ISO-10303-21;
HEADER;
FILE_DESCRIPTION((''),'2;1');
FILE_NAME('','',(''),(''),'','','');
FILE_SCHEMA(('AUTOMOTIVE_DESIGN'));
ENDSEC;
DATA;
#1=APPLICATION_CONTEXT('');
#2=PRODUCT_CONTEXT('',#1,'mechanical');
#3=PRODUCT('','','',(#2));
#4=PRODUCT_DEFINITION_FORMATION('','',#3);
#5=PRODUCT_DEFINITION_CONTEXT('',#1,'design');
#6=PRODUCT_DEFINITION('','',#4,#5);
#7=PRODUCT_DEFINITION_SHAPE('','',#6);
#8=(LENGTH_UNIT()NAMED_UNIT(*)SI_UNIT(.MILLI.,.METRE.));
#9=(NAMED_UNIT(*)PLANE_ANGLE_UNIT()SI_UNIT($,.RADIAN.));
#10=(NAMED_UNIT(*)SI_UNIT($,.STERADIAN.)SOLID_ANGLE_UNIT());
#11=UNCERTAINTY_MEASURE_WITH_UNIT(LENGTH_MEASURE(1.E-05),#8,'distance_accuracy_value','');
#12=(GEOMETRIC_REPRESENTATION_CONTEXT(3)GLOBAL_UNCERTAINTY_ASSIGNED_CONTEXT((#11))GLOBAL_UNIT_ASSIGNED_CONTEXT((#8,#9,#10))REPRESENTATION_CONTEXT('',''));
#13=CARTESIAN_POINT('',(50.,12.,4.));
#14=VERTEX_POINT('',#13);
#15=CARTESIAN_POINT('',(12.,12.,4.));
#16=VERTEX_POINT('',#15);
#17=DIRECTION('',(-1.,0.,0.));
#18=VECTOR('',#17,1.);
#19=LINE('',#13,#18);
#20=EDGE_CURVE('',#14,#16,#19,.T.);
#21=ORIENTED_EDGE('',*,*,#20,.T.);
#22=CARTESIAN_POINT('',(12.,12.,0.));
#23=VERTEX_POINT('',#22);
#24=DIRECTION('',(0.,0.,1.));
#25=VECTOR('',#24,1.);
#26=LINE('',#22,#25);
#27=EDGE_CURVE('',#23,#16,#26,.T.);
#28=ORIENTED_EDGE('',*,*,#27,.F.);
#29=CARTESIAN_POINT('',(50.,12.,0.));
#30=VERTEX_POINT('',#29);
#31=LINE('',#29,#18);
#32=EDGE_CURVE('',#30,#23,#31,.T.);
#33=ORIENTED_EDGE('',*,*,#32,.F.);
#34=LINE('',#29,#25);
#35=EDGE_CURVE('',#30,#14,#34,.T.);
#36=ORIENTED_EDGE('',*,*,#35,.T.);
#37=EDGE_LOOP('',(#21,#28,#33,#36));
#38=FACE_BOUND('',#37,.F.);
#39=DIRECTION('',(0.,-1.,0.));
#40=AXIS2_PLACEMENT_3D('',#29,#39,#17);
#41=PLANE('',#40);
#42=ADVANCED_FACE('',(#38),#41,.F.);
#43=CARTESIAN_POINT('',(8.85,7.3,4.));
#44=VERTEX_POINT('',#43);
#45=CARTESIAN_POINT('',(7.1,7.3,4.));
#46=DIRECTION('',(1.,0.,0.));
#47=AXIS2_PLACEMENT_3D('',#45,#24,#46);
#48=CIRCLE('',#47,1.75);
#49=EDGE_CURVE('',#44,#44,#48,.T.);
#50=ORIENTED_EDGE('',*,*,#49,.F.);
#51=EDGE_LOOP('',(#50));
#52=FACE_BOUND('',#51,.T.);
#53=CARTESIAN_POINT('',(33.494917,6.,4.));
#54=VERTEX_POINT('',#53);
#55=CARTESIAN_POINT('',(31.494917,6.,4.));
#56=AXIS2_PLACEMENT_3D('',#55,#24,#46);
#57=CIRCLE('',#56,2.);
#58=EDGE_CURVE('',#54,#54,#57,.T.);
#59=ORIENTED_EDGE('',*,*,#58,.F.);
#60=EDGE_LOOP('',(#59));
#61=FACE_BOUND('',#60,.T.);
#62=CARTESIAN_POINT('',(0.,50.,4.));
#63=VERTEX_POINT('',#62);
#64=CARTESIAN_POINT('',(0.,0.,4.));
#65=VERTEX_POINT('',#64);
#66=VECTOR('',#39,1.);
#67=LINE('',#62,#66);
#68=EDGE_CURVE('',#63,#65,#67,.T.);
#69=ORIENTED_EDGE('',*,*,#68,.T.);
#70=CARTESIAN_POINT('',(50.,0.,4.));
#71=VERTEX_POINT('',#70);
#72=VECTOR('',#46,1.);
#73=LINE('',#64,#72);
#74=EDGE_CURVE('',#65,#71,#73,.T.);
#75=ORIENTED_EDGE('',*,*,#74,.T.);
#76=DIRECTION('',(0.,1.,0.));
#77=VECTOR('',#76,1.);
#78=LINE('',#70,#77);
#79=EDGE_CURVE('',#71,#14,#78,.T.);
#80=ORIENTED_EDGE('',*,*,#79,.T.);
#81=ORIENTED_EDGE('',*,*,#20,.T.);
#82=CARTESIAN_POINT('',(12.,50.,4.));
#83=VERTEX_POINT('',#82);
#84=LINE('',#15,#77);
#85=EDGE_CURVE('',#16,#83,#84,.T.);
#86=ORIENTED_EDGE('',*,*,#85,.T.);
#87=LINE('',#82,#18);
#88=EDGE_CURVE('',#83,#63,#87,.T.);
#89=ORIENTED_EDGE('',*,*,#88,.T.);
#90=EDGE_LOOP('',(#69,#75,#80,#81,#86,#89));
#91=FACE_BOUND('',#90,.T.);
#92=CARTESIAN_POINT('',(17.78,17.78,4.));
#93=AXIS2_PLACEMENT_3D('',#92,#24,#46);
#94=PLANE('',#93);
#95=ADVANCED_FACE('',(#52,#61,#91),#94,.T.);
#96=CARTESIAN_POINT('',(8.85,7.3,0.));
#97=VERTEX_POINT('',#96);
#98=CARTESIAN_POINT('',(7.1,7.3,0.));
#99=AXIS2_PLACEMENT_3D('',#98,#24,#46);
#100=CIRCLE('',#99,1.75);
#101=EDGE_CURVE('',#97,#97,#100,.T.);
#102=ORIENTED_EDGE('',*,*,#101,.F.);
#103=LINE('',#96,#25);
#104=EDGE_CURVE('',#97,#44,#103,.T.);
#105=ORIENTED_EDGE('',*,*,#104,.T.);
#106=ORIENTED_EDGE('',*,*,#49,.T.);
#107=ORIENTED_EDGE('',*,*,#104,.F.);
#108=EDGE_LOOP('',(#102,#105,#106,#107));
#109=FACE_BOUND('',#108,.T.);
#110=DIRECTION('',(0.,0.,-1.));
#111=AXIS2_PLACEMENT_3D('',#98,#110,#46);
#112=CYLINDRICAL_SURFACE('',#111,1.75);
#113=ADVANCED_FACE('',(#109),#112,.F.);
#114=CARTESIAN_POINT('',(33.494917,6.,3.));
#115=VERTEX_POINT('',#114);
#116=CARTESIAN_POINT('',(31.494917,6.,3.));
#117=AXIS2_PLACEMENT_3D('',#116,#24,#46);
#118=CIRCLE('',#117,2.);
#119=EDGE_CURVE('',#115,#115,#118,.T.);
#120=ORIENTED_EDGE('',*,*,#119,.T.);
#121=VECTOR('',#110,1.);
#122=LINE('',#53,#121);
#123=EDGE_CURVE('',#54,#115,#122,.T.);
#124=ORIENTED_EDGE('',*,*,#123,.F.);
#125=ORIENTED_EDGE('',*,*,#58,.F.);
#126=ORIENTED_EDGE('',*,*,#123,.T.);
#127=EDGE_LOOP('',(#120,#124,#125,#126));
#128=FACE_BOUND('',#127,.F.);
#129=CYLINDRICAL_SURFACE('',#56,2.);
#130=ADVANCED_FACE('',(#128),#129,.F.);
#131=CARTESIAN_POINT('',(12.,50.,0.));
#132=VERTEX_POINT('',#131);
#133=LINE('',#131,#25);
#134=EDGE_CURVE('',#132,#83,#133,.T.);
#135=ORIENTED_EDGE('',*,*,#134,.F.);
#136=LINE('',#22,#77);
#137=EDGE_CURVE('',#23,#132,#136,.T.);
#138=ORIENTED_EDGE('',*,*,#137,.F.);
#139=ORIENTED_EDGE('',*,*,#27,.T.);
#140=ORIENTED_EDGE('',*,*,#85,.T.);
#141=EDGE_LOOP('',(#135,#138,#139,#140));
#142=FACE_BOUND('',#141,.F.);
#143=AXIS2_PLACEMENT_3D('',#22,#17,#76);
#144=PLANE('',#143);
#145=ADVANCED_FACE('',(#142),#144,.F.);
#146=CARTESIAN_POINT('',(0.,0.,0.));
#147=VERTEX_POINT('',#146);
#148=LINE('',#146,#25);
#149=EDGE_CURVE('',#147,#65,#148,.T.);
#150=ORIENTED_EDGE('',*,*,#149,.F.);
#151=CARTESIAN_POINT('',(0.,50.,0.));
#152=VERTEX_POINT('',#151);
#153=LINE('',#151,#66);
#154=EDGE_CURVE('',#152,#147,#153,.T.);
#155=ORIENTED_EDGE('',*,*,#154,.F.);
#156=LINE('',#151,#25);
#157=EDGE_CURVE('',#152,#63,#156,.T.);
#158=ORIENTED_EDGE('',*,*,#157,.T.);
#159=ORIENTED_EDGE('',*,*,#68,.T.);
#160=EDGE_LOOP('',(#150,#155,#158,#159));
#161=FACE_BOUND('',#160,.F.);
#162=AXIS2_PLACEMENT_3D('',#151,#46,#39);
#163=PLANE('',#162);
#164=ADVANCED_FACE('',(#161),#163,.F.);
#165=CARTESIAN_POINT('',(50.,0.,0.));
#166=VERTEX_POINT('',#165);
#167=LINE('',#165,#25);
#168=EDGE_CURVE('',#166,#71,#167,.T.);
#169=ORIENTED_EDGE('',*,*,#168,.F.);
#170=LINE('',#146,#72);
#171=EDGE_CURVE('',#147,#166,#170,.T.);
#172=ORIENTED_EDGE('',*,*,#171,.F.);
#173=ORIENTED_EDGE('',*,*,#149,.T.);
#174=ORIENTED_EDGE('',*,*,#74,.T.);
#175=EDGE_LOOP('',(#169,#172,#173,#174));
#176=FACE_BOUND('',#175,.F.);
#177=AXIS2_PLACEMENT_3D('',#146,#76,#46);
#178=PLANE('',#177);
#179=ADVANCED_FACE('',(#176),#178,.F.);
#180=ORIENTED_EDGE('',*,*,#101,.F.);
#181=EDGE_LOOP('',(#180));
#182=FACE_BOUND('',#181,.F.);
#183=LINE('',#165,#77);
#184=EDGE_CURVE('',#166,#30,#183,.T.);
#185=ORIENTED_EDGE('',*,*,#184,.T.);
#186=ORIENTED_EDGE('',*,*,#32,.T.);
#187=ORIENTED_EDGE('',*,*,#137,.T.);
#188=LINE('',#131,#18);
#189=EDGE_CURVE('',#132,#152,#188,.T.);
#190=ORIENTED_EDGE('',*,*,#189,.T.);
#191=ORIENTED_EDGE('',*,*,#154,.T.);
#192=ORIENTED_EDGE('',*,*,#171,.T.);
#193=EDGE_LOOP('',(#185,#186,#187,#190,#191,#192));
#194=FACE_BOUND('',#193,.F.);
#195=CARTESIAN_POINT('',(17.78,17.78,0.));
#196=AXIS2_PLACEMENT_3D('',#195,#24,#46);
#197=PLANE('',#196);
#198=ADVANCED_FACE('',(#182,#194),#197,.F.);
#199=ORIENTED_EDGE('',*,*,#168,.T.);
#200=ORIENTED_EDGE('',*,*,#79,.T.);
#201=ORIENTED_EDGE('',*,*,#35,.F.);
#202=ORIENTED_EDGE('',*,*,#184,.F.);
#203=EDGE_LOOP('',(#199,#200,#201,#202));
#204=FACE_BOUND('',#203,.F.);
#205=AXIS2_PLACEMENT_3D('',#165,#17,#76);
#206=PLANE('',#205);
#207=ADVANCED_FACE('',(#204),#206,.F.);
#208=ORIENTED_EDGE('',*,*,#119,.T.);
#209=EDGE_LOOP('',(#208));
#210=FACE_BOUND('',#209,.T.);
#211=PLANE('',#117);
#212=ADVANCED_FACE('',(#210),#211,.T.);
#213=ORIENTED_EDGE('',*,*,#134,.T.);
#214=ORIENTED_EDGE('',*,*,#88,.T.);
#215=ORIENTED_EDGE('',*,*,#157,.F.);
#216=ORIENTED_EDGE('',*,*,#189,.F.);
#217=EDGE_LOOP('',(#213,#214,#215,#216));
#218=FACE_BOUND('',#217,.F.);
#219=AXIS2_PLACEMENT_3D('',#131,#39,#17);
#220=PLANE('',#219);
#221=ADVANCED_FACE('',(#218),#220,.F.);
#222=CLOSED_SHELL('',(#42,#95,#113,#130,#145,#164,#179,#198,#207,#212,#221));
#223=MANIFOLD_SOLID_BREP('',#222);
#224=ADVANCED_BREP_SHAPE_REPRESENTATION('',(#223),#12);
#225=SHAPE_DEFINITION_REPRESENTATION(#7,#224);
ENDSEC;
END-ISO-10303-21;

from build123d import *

# Parameters (mm, degrees)
F0_R     = 1.75
F1_DEPTH = 4
F2_R     = 2
F3_DEPTH = 1


with BuildPart() as f1:
    # F0 (on Top) → F1 (new body)
    with BuildSketch(Plane.XY):
        Polygon((0, 50), (0, 0), (50, 0), (50, 12), (12, 12), (12, 50), align=None)
        with Locations((7.1, 7.3)):
            Circle(F0_R, mode=Mode.SUBTRACT)
    extrude(amount=F1_DEPTH)

    # F2 (on face) → F3 (cut)
    with BuildSketch(Plane.XY.offset(4)):
        with Locations((31.494917, 6)):
            Circle(F2_R)
    extrude(amount=-F3_DEPTH, mode=Mode.SUBTRACT)


solid = f1.part
